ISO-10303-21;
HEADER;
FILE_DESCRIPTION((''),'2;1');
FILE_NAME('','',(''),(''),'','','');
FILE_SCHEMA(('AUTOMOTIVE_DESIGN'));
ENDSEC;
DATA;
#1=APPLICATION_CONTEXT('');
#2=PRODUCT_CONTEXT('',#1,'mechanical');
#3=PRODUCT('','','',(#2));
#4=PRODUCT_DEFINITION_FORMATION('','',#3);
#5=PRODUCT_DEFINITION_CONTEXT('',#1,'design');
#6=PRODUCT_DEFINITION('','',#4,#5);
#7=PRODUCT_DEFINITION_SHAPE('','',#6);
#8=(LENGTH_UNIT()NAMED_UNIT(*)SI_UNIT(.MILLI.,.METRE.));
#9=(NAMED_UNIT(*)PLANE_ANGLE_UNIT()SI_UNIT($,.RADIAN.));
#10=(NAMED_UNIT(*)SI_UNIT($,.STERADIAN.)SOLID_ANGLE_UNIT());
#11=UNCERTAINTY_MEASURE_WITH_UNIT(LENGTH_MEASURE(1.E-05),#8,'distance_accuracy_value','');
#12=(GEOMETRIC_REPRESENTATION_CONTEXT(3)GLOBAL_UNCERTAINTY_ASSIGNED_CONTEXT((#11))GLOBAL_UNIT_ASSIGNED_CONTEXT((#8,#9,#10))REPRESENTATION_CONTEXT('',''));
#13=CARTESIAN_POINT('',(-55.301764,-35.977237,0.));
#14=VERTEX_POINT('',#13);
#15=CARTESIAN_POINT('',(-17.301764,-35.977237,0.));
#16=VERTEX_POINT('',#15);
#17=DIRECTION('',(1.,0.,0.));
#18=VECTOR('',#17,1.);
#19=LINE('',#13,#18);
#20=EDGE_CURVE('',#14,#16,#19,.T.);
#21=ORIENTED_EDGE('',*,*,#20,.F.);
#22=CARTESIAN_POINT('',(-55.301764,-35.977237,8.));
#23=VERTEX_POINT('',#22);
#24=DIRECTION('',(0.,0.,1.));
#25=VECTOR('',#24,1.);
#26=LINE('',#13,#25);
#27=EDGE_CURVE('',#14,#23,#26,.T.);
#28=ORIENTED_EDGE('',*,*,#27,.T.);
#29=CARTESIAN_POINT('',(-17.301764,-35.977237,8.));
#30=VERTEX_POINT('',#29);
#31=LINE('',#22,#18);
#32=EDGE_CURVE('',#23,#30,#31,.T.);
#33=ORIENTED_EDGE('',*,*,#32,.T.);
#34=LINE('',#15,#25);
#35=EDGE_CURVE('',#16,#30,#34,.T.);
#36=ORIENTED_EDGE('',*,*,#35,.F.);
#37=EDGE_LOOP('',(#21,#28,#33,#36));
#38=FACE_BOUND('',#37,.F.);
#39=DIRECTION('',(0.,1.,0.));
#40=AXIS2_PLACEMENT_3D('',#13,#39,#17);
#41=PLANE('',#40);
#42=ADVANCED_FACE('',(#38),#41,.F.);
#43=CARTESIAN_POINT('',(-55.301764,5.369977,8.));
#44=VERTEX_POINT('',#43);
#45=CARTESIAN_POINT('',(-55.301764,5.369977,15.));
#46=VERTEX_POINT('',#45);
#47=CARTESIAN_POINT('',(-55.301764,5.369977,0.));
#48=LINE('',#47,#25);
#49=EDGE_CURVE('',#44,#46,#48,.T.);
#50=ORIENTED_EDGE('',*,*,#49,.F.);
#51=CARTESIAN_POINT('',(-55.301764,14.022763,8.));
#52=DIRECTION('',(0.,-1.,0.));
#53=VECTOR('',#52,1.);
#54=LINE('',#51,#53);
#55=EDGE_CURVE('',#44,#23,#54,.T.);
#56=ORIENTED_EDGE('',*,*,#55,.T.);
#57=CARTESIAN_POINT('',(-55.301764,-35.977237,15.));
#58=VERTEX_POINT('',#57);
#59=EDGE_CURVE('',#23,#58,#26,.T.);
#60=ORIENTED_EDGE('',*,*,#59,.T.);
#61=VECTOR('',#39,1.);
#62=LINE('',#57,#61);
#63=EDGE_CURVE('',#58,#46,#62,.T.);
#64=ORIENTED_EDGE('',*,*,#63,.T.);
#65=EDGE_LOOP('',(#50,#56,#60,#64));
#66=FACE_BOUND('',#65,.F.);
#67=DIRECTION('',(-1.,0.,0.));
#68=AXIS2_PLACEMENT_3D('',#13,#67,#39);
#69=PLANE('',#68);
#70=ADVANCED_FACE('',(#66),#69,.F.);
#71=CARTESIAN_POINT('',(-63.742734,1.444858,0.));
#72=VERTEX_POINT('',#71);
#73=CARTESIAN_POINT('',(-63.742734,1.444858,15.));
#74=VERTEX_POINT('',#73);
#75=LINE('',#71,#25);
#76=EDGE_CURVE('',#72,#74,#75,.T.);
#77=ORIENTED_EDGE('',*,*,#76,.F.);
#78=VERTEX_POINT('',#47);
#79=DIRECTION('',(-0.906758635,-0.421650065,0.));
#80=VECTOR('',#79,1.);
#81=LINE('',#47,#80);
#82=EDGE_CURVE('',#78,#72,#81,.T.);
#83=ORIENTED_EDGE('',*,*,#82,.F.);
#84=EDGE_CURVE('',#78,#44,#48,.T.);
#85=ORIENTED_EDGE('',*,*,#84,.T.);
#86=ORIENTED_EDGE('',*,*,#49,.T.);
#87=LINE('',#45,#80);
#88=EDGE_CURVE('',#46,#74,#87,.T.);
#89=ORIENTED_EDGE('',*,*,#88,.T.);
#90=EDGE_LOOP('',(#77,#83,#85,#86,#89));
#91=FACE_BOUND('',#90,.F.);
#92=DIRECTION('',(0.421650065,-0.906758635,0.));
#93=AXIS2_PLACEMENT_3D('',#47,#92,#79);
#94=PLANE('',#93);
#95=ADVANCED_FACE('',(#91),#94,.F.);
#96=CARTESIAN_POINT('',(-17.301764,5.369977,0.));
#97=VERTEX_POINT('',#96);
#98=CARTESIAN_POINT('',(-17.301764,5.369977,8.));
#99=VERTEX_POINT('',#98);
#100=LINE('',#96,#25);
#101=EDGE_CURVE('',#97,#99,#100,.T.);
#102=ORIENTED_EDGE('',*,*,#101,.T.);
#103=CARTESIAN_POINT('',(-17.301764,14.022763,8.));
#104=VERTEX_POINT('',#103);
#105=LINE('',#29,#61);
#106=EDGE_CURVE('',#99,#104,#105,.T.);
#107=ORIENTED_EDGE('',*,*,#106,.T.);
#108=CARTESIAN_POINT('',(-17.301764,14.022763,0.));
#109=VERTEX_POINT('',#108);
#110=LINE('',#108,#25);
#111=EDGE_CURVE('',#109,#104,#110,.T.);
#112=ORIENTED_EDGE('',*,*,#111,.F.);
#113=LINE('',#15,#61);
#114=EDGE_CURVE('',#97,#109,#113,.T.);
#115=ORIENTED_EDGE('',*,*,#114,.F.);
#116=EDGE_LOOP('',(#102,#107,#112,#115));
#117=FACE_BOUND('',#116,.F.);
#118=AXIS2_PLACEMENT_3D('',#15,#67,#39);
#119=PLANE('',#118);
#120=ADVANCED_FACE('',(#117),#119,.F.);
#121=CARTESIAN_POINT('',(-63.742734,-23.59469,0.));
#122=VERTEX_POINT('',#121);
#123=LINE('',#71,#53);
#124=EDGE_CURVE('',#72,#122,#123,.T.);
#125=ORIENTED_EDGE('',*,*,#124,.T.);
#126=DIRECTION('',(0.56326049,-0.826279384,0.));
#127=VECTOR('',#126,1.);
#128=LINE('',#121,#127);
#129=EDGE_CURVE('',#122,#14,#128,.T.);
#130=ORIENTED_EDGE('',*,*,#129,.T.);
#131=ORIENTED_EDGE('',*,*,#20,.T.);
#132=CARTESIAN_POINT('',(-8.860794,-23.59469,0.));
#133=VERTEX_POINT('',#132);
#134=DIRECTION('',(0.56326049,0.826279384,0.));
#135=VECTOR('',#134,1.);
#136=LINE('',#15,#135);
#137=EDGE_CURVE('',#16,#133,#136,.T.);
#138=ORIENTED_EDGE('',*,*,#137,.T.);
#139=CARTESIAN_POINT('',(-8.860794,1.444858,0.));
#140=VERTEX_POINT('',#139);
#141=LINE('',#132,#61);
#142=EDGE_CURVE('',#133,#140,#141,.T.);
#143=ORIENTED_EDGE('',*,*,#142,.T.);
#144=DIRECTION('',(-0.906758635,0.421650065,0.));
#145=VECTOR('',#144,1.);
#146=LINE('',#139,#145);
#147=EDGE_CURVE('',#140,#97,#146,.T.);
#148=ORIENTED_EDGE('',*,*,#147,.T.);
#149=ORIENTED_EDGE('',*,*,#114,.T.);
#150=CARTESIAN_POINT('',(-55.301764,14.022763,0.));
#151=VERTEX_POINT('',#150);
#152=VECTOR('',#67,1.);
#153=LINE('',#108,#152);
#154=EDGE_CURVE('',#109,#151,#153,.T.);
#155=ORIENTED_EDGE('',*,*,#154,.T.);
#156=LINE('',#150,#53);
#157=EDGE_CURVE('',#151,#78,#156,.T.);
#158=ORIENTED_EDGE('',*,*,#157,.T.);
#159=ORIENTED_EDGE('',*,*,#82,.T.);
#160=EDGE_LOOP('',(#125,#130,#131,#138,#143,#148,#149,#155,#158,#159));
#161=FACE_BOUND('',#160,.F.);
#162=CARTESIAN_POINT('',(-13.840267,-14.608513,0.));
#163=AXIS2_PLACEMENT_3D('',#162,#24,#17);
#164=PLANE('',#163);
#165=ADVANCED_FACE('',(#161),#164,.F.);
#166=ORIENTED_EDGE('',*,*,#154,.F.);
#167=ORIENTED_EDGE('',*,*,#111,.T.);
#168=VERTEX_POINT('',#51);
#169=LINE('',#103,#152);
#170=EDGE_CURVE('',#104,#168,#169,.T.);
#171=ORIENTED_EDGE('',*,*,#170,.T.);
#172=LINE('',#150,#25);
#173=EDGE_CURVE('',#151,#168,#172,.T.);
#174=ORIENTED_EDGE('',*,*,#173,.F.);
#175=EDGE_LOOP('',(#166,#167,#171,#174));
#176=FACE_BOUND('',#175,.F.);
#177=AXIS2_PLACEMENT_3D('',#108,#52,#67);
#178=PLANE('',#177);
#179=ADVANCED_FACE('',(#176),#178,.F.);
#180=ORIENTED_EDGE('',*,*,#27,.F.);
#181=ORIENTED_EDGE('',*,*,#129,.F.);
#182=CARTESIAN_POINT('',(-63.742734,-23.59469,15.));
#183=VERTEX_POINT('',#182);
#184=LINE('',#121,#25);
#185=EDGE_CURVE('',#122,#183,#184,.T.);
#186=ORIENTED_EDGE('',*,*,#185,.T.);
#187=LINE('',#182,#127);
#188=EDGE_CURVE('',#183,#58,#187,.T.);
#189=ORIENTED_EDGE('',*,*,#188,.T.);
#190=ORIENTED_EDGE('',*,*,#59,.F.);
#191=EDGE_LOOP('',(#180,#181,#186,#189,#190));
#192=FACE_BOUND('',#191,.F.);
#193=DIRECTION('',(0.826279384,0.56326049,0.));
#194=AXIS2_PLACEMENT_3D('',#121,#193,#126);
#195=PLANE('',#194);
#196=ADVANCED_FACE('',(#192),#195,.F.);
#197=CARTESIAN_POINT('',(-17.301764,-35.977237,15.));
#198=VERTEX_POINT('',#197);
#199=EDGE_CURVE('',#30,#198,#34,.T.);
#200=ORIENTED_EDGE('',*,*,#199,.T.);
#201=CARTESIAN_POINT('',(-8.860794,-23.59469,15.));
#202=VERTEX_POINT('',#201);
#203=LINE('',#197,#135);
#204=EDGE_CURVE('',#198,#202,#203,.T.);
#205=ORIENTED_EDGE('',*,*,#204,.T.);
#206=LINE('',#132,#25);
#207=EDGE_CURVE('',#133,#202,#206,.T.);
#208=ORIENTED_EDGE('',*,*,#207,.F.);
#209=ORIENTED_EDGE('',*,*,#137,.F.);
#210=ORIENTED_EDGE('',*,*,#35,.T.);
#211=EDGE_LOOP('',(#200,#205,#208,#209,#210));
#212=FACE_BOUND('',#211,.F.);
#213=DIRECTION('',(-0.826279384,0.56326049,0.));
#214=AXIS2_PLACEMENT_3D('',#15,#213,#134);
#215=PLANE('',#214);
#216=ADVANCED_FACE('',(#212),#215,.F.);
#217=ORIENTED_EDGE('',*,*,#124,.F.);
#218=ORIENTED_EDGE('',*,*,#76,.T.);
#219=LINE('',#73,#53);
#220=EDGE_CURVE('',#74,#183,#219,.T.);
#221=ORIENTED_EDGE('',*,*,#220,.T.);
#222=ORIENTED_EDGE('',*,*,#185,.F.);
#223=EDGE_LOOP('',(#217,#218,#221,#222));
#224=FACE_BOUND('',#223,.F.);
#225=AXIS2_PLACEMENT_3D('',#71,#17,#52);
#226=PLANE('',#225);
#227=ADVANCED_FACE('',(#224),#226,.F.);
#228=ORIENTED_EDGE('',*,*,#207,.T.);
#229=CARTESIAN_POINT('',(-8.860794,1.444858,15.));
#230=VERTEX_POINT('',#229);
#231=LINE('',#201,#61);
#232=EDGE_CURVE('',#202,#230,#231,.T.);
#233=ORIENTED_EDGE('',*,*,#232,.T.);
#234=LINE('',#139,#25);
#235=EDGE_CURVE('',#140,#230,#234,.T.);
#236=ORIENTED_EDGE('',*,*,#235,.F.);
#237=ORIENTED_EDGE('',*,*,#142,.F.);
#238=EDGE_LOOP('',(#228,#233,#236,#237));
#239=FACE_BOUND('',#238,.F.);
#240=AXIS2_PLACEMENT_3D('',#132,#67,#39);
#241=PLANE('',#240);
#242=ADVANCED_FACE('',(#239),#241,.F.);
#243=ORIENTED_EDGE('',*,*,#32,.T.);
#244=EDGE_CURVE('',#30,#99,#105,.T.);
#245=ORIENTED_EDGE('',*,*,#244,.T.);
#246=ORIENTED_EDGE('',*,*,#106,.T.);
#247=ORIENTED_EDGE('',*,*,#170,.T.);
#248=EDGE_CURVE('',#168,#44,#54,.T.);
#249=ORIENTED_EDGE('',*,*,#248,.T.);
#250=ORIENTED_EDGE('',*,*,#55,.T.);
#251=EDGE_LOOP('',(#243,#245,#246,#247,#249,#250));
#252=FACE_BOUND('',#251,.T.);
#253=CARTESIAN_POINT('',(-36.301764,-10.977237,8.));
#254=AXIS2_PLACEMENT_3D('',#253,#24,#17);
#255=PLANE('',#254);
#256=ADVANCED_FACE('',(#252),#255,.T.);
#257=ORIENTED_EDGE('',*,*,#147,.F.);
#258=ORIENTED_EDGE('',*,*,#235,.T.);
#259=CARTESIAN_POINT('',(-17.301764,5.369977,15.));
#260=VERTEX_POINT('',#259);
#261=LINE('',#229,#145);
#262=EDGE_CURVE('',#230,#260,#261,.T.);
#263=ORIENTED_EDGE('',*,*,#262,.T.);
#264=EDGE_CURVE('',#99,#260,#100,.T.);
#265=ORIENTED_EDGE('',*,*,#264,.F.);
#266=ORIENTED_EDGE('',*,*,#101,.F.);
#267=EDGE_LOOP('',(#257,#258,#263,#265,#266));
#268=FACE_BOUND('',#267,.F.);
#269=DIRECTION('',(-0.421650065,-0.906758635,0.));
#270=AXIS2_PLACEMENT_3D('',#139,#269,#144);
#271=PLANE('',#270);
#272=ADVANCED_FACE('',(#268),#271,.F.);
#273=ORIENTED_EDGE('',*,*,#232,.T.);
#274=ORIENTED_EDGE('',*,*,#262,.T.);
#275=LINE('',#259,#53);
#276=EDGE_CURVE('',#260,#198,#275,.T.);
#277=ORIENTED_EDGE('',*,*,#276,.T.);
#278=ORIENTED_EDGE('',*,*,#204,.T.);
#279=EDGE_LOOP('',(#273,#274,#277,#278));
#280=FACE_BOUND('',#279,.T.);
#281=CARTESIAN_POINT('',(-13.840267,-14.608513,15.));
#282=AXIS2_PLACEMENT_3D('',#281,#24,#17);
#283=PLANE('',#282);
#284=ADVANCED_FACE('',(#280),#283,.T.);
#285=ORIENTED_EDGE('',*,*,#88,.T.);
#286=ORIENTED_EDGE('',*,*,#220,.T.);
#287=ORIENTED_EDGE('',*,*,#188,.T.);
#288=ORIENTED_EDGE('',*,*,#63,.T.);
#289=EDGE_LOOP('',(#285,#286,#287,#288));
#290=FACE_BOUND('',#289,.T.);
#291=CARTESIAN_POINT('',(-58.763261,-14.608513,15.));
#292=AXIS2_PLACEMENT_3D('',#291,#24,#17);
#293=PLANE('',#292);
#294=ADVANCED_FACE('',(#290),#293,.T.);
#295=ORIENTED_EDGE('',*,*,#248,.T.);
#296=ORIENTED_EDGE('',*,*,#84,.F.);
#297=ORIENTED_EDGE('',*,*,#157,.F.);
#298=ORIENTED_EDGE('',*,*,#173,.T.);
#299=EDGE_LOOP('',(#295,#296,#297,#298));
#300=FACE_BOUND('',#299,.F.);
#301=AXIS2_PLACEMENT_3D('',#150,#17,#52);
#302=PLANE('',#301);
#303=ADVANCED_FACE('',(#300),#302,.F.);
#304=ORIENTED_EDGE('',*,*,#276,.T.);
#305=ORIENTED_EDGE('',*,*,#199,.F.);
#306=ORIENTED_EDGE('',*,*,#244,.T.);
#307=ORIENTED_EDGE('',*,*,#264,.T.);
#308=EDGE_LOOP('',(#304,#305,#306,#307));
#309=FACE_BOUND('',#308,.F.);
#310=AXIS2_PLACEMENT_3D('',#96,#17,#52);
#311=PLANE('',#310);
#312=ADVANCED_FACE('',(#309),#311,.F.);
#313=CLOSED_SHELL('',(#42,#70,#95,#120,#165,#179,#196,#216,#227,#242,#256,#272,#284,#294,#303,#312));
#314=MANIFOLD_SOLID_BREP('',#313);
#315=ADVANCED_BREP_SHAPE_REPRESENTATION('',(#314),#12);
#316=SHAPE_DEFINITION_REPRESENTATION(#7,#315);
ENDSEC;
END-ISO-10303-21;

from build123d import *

# Parameters (mm, degrees)
F1_DEPTH = 8
F2_DEPTH = 15


with BuildPart() as f1:
    # F0 (on Top) → F1 (new body)
    with BuildSketch(Plane.XY):
        Polygon((-17.301764, 14.022763), (-55.301764, 14.022763), (-55.301764, 5.369977), (-55.301764, -35.977237), (-17.301764, -35.977237), (-17.301764, 5.369977), align=None)
    extrude(amount=F1_DEPTH)

    # F0 (on Top) → F2 (join)
    with BuildSketch(Plane.XY):
        Polygon((-8.860794, 1.444858), (-17.301764, 5.369977), (-17.301764, -35.977237), (-8.860794, -23.59469), align=None)
        Polygon((-55.301764, -35.977237), (-55.301764, 5.369977), (-63.742734, 1.444858), (-63.742734, -23.59469), align=None)
    extrude(amount=F2_DEPTH)


solid = f1.part
